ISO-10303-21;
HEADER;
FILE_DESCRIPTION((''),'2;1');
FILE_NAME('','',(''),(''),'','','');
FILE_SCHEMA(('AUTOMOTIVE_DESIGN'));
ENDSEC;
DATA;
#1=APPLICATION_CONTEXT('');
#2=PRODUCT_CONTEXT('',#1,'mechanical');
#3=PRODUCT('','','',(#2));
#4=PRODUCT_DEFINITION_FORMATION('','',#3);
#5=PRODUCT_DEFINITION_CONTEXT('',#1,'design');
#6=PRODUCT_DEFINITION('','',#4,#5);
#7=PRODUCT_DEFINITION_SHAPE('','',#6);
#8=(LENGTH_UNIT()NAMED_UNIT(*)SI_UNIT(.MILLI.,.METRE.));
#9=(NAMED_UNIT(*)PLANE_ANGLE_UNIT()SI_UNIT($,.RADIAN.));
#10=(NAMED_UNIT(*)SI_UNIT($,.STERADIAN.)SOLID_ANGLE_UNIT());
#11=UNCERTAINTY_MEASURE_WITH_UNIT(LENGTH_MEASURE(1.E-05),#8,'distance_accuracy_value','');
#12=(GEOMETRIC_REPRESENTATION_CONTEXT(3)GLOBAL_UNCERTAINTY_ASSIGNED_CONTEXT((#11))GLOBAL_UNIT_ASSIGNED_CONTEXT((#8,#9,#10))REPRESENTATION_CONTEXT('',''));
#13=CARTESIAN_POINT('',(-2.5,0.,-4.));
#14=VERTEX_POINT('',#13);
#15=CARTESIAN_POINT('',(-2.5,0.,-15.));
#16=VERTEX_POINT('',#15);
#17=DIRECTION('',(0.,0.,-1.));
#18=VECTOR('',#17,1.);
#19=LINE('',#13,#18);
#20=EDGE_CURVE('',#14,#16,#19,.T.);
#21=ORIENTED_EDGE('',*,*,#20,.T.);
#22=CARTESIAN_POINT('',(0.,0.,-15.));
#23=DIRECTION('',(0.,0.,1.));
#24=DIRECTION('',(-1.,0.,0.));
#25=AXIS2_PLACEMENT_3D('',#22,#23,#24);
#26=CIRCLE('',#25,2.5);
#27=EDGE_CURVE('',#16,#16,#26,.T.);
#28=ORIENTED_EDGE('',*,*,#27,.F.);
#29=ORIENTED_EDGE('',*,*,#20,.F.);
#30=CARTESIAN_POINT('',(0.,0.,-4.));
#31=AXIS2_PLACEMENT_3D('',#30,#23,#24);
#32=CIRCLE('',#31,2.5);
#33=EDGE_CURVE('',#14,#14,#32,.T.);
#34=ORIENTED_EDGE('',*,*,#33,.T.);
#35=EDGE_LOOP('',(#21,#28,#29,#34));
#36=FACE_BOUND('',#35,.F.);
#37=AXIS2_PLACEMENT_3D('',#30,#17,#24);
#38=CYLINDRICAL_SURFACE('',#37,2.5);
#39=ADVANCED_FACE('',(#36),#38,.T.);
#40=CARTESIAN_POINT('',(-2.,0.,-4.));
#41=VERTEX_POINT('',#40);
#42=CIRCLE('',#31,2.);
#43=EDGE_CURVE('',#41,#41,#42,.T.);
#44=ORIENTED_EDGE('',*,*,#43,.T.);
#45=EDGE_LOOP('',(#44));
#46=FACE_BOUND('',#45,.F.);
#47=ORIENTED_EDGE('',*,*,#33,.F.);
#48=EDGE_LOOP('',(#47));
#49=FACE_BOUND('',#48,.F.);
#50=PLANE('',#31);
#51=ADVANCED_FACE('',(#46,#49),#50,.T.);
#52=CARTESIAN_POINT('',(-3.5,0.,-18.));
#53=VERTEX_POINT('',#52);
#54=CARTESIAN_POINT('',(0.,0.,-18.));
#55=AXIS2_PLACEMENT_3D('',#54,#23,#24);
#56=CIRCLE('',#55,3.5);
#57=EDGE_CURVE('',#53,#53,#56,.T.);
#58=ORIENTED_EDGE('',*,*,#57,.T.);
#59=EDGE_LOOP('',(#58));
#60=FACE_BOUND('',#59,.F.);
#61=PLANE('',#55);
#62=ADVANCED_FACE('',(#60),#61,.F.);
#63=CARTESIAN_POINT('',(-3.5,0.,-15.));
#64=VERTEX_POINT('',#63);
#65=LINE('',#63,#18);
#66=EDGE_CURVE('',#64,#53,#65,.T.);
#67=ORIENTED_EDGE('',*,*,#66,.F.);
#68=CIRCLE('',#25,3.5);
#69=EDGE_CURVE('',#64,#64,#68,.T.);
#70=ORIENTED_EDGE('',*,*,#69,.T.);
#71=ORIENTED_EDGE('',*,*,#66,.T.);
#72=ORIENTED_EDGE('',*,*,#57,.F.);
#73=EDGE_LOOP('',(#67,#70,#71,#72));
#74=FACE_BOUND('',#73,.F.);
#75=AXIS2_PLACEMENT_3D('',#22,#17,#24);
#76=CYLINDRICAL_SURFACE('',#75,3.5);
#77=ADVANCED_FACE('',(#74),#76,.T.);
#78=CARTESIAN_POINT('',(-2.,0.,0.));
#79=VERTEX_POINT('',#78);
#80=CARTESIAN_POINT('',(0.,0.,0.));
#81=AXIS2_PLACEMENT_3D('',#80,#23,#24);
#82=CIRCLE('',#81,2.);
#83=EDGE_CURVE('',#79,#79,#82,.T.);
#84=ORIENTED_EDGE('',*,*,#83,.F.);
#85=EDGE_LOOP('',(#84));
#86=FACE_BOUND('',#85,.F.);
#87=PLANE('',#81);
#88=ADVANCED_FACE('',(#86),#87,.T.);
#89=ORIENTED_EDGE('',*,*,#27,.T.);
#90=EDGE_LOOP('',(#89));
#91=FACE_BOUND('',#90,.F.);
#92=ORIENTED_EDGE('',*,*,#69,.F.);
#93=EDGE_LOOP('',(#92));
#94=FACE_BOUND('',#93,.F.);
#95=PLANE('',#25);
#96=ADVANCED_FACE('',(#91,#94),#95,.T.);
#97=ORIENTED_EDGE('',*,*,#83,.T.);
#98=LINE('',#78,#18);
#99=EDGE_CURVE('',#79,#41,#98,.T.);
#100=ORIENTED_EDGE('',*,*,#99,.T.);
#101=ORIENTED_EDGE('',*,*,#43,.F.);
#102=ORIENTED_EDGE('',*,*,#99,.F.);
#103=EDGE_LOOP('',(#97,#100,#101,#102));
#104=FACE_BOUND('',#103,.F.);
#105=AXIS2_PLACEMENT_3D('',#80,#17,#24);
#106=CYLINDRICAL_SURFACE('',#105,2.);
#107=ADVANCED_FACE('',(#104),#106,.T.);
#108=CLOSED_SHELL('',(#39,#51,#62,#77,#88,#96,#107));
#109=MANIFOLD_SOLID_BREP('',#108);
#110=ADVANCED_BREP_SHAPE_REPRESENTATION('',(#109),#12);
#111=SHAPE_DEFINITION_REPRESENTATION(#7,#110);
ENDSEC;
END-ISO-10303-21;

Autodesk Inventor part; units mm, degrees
ref_plane "YZ Plane" through (0, 0, 0) normal (1, 0, 0) x (0, 1, 0)
ref_plane "XZ Plane" through (0, 0, 0) normal (0, 1, 0) x (-1, 0, 0)
ref_plane "XY Plane" through (0, 0, 0) normal (0, 0, 1) x (1, 0, 0)
sketch "Sketch1" plane through (0, 0, 0) normal (0, 1, 0) x (-1, 0, 0)
  line L0 (0, 0) -> (2, 0)
  line L1 (2, 0) -> (2, -4)
  line L2 (2, -4) -> (2.5, -4)
  line L3 (2.5, -4) -> (2.5, -15)
  line L4 (2.5, -15) -> (3.5, -15)
  line L5 (3.5, -15) -> (3.5, -18)
  line L6 (3.5, -18) -> (0, -18)
  line L7 (0, -18) -> (0, 0)
  dimension "d0" = 3
  dimension "d1" = 11
  dimension "d2" = 4
  dimension "d3" = 7
  dimension "d4" = 5
  dimension "d5" = 4
revolve "Revolution1" add sketch "Sketch1" angle 360 about axis through (0, 0, -18) along (0, 0, 1)
thread "Thread1" size "M4x0.7" class "6g" standard "ISO Metric profile" length 12
properties part number "2053"
